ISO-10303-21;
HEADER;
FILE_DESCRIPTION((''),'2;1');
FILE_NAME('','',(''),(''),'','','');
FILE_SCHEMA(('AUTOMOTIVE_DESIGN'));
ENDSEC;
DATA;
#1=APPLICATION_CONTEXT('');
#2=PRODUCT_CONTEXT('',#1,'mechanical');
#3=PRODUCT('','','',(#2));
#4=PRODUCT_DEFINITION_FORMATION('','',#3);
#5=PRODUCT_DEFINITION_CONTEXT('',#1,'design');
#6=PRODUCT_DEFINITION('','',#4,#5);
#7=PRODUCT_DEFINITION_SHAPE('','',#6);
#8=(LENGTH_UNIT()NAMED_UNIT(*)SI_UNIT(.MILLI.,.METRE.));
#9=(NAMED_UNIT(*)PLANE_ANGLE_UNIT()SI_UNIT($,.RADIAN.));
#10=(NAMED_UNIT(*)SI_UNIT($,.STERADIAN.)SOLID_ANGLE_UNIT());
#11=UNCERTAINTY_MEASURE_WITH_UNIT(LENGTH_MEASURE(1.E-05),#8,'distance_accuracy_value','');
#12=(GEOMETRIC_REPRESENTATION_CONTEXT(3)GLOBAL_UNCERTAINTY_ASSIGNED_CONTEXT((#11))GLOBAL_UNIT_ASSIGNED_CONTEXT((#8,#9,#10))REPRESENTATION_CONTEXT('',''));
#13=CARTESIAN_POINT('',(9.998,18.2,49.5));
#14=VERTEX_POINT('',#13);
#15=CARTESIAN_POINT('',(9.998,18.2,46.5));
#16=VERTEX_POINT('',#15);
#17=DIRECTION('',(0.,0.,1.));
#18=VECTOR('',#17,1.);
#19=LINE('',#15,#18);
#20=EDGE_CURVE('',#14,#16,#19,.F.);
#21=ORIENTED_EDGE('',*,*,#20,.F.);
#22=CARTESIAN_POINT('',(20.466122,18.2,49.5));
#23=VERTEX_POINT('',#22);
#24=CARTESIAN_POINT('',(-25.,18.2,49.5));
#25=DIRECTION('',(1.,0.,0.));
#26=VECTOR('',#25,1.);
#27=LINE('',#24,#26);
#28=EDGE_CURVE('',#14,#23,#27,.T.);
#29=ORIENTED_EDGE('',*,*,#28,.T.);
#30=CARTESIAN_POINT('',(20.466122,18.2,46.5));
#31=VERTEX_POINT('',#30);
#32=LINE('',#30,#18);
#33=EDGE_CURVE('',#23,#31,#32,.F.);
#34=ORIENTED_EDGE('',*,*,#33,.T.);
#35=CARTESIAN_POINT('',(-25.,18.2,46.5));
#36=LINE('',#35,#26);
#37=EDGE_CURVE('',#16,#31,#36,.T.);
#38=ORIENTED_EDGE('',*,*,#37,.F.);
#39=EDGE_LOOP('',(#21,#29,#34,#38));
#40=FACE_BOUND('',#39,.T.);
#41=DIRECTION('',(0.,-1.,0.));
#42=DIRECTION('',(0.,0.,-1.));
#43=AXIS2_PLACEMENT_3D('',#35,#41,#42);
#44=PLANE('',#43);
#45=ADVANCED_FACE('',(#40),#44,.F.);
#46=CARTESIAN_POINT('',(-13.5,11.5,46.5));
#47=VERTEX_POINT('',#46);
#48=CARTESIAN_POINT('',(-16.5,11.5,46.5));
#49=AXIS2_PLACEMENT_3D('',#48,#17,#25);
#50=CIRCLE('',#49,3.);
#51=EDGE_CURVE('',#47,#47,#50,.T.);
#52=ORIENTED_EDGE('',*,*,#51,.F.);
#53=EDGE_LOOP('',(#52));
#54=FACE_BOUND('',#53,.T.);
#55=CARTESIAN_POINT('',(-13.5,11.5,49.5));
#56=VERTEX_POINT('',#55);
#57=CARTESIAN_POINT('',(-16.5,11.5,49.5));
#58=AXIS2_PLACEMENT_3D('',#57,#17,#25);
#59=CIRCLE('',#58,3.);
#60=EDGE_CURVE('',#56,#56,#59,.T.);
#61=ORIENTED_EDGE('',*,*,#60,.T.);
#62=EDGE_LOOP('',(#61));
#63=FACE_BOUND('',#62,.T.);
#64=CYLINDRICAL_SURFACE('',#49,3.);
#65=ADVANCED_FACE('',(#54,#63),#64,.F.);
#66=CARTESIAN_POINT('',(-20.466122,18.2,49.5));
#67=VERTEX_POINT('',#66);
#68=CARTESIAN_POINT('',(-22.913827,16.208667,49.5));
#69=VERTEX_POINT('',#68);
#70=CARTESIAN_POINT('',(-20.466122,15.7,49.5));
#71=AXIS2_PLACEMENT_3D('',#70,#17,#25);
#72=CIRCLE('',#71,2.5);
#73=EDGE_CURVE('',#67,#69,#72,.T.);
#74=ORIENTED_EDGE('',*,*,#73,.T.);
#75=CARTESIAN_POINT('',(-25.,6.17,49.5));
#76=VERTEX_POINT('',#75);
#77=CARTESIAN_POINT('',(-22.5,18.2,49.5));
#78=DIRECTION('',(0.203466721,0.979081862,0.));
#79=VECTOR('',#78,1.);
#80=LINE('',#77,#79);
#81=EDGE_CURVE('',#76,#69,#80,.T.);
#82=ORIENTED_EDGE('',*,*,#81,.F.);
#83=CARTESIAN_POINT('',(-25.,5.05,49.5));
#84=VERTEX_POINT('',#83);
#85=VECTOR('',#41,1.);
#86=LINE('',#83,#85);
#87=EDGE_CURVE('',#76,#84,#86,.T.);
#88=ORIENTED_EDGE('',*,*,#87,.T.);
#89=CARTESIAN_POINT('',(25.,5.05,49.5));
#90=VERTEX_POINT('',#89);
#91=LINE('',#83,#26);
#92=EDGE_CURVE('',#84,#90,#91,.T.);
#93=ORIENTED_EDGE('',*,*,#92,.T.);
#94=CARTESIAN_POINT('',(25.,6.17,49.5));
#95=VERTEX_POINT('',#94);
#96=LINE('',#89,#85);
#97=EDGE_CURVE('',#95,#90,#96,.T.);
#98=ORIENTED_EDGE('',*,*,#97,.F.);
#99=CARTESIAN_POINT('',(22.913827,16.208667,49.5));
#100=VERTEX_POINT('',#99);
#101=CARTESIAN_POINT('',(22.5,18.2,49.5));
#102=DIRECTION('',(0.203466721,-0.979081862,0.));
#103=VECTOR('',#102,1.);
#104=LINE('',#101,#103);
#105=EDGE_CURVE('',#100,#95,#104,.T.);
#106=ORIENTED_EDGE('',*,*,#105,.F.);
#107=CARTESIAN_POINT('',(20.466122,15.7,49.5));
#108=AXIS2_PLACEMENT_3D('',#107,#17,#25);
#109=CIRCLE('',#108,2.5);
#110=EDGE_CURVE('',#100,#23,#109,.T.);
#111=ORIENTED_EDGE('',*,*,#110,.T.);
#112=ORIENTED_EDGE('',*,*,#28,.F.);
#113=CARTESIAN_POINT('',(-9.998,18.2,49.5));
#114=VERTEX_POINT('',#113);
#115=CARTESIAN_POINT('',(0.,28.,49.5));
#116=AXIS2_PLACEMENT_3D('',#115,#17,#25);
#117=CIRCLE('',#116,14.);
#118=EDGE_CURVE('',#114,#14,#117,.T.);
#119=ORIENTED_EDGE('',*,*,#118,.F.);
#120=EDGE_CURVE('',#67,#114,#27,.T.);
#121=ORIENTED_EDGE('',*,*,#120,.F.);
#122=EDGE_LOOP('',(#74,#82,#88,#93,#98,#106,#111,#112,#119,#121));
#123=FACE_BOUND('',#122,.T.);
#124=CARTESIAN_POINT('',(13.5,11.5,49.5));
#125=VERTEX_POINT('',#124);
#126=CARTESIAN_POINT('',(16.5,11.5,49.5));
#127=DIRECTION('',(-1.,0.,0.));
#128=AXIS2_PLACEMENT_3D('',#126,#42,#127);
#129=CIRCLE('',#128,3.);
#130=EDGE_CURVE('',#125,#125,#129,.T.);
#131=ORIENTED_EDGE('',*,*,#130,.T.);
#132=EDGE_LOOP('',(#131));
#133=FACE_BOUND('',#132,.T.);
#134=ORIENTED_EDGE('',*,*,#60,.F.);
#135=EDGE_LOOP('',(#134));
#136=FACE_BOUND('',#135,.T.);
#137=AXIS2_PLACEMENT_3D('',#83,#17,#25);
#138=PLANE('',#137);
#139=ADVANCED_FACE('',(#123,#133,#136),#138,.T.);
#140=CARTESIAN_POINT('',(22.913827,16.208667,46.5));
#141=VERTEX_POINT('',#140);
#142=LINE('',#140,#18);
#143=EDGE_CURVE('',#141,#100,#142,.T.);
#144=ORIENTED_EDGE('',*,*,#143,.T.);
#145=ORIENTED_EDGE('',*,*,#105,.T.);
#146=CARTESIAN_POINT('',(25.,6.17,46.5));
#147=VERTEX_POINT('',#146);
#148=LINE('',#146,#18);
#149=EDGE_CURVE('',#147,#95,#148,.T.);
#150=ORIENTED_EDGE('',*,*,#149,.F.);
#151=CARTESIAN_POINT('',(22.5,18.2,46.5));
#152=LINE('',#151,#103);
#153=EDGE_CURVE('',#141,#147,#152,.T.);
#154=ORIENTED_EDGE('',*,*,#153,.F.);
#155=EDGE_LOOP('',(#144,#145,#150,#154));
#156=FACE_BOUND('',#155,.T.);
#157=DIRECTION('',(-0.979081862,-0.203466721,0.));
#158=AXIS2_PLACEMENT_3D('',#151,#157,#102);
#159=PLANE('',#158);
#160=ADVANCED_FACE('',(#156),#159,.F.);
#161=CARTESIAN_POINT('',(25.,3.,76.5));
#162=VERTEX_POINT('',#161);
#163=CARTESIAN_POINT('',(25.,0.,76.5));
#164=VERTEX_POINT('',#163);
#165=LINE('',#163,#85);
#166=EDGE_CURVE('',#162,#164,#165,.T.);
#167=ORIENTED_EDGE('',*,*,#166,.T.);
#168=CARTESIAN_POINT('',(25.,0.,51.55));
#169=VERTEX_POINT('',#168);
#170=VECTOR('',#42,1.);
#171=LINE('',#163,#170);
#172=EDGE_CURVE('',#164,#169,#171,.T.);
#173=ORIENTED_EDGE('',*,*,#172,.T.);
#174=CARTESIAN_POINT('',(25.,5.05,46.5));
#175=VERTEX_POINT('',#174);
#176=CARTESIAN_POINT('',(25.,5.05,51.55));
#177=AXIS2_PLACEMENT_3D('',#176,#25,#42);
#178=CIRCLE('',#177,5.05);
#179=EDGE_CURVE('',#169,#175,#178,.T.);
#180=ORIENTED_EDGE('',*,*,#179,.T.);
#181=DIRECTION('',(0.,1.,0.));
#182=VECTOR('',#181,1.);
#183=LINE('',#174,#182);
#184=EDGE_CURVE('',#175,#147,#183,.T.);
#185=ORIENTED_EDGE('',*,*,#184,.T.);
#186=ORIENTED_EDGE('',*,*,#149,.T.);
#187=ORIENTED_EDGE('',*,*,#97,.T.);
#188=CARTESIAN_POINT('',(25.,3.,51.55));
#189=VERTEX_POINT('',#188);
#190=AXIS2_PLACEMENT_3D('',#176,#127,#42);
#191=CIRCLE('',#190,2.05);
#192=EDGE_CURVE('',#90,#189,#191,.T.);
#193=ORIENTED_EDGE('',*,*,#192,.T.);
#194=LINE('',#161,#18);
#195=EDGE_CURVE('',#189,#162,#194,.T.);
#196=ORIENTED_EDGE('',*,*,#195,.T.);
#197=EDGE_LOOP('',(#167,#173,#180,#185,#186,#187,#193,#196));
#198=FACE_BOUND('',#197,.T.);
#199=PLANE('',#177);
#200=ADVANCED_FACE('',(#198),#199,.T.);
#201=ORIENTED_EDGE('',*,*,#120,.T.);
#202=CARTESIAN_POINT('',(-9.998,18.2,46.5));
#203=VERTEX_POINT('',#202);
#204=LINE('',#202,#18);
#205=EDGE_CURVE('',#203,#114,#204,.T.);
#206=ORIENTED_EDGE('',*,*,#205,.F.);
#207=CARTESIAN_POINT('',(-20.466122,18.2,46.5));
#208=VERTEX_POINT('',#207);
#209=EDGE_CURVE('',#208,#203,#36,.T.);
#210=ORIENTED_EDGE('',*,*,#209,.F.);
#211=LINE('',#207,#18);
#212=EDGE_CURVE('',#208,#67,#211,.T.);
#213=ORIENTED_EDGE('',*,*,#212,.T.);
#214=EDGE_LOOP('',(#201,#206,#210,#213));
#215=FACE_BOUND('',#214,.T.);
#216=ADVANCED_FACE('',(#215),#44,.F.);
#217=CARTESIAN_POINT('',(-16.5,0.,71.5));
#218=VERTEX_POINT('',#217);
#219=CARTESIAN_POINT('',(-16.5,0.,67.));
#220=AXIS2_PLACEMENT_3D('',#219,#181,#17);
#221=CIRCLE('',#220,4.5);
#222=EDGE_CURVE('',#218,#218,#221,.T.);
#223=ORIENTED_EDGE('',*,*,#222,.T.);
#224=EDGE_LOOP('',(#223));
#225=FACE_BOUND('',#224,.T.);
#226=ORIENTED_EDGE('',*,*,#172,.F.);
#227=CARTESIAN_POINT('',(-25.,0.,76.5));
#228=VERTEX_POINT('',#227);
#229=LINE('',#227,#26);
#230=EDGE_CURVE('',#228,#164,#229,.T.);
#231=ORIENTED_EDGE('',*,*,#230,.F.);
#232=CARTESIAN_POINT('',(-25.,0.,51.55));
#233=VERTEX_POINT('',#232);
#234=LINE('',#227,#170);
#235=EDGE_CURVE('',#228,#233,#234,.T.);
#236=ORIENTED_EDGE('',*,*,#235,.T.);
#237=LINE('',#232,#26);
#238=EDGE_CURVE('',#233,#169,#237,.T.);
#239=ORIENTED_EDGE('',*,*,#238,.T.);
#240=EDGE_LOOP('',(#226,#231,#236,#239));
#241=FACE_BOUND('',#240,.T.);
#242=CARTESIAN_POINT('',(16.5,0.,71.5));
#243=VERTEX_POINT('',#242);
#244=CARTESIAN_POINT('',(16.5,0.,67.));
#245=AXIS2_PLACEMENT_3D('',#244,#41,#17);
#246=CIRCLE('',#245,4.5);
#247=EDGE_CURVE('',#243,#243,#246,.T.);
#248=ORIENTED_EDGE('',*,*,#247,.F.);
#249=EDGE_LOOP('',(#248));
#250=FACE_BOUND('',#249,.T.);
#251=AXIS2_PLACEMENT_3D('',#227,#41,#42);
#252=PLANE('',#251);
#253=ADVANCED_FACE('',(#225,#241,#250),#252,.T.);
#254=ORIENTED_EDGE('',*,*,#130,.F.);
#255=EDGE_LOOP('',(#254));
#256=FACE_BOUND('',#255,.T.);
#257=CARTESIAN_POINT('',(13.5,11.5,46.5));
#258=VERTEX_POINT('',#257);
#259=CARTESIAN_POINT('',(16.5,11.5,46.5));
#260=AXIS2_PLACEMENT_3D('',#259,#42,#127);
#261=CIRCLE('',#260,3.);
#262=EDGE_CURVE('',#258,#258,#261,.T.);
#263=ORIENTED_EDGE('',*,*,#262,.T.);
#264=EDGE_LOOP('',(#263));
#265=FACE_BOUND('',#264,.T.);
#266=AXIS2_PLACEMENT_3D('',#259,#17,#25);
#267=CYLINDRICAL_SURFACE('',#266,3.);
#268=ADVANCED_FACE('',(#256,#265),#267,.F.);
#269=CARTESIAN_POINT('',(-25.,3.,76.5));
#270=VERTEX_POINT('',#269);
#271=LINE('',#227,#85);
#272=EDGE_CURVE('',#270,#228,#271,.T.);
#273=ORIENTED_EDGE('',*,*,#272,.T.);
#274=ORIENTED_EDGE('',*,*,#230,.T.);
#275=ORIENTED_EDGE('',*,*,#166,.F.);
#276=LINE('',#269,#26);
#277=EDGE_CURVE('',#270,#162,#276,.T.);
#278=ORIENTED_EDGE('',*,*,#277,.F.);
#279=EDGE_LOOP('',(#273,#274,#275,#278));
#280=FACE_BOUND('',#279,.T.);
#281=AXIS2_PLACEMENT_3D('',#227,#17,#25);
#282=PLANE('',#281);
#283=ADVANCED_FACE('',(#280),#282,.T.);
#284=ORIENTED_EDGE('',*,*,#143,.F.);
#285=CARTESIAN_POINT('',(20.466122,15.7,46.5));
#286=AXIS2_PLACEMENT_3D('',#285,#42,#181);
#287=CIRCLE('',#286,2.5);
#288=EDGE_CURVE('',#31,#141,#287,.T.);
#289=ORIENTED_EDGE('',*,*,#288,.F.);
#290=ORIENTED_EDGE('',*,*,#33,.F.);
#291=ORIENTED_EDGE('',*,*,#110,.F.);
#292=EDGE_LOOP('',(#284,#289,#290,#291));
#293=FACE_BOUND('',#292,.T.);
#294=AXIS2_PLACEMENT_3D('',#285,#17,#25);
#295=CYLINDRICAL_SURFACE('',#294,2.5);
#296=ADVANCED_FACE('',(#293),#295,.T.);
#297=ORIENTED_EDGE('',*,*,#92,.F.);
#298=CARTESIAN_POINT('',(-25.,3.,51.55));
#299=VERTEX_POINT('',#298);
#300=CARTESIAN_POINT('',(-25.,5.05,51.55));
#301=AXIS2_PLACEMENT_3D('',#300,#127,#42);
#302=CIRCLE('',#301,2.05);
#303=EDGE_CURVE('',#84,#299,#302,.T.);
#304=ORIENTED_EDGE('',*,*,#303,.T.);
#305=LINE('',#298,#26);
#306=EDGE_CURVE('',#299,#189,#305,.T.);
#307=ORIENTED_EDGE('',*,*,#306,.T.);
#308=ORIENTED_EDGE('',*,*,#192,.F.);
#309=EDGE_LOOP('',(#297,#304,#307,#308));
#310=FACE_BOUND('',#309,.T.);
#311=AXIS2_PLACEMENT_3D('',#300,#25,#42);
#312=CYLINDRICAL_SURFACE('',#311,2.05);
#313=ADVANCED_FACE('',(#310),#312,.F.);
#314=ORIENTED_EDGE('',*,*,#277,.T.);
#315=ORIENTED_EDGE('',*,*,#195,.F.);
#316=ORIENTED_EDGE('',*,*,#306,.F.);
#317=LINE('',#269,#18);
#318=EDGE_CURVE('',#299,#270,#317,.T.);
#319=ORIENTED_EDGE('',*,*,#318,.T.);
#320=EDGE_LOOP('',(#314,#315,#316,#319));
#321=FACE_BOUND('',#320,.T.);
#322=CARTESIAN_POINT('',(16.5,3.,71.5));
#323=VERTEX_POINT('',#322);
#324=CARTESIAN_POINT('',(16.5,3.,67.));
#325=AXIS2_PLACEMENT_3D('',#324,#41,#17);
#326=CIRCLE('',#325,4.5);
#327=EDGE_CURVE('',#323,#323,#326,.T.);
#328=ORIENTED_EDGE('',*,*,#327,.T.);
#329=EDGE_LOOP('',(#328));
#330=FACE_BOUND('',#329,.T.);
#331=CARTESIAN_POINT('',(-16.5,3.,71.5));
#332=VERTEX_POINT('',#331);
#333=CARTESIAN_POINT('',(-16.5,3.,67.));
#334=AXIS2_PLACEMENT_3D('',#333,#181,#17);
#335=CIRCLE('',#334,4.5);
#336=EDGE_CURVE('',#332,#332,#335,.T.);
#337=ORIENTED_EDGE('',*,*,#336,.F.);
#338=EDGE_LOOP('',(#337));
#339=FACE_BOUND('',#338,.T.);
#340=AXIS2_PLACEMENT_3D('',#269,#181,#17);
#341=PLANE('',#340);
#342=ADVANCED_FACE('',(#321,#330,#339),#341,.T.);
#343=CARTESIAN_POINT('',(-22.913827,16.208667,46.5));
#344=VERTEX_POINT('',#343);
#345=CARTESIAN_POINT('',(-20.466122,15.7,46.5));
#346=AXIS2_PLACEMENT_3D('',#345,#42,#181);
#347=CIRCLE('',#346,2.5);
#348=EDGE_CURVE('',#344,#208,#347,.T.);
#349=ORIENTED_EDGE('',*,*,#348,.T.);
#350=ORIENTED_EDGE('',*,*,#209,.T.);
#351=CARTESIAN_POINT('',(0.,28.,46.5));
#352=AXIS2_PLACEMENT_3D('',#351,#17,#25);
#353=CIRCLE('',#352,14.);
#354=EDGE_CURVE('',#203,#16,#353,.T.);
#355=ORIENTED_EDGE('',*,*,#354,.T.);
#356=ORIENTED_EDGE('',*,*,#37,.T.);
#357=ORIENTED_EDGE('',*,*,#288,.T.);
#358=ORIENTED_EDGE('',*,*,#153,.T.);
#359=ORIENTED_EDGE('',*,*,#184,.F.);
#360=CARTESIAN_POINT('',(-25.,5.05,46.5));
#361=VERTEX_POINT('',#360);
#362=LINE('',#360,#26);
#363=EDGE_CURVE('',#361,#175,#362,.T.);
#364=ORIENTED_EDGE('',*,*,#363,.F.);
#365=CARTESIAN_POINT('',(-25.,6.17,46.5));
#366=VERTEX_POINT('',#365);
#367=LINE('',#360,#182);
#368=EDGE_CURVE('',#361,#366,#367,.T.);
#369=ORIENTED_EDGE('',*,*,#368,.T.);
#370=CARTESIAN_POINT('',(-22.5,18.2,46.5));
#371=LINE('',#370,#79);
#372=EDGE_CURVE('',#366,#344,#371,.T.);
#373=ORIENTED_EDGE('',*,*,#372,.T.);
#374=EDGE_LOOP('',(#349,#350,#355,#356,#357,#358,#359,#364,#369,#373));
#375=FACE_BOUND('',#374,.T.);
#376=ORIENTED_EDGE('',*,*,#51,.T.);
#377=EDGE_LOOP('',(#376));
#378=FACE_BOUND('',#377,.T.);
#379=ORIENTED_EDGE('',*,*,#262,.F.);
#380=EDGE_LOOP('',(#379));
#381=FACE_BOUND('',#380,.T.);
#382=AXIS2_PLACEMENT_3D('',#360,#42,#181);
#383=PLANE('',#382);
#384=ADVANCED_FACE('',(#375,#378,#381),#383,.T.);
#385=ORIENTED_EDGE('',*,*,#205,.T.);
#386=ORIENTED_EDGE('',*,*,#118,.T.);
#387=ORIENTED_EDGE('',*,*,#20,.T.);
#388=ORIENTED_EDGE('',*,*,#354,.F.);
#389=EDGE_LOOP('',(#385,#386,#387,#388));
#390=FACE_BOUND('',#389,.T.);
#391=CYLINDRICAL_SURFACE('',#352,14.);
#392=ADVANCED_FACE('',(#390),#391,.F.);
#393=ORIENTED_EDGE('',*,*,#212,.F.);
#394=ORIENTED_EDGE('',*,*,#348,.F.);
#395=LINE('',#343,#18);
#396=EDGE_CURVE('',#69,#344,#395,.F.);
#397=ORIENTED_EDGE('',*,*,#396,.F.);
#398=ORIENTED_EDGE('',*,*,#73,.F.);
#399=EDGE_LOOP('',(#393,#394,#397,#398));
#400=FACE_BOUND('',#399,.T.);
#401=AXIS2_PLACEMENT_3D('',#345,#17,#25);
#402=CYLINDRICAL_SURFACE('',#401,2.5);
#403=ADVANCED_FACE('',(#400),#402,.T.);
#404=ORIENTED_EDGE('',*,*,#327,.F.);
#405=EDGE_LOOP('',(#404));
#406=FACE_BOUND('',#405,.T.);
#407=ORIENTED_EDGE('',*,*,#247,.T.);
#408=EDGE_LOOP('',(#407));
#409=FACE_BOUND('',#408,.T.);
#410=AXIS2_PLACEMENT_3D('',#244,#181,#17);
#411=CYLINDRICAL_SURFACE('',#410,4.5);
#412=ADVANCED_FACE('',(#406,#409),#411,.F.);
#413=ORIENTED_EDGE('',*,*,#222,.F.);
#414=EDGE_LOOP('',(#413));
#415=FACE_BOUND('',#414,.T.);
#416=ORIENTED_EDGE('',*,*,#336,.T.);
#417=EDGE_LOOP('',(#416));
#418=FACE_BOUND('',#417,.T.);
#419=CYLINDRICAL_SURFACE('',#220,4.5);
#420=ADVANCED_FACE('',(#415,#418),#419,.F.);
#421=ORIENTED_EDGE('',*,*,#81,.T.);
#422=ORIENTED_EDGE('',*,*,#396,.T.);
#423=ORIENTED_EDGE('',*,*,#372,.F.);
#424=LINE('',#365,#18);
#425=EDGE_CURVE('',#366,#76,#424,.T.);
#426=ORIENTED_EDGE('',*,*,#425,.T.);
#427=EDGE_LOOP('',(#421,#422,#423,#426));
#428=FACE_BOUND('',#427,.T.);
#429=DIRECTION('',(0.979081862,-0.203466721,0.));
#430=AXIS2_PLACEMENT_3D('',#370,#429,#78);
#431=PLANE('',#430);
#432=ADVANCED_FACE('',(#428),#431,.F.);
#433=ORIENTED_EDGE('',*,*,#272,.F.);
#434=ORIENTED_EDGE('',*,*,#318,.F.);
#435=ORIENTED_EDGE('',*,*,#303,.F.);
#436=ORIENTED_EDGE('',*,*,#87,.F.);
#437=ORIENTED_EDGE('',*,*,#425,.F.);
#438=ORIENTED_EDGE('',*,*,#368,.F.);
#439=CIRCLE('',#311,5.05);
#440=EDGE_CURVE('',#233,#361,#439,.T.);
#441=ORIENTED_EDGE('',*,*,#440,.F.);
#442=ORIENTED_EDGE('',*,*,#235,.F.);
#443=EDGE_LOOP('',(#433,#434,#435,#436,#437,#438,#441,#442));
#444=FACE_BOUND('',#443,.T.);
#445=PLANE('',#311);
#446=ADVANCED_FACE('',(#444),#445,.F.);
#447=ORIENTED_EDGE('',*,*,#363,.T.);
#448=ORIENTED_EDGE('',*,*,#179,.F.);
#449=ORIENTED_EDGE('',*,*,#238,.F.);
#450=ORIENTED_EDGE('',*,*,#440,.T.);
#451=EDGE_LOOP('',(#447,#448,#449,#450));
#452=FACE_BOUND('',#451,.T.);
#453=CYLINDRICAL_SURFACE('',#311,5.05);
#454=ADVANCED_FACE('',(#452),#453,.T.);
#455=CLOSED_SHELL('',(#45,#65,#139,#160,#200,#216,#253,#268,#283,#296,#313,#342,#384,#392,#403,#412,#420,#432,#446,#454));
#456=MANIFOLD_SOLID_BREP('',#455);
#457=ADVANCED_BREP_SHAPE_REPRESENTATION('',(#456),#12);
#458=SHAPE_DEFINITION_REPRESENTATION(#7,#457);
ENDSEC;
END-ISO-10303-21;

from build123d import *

# Parameters (mm, degrees)
EXTRUDE_START          = 25
EXTRUDE_1_DEPTH        = 50
SKETCH_4_R             = 4.5
CUT_EXTRUDE_1_DEPTH    = 85.274847968
SKETCH_6_R             = 3
CUT_EXTRUDE_2_DEPTH    = 47.238512087
SKETCH_7_R             = 14
CUT_EXTRUDE_3_DEPTH    = 47.238512087
SKETCH_9_W             = 50
SKETCH_9_H             = 9.8
CUT_EXTRUDE_4_DEPTH    = 47.238512087
CUT_EXTRUDE_1983_DEPTH = 42.051674753
FILLET_1_R             = 2.5


with BuildPart() as part:
    # 草图3 → 凸台-拉伸1 (new body)
    with BuildSketch(Plane(origin=(0, 0, 0), x_dir=(0, 0, -1), z_dir=(1, 0, 0)).offset(EXTRUDE_START)):
        with BuildLine():
            Line((-76.5, 0), (-76.5, 3))
            Line((-76.5, 3), (-51.55, 3))
            ThreePointArc((-51.55, 3), (-50.100431099, 3.600431099), (-49.5, 5.05))
            Line((-49.5, 5.05), (-49.5, 28))
            Line((-49.5, 28), (-46.5, 28))
            Line((-46.5, 28), (-46.5, 5.05))
            ThreePointArc((-46.5, 5.05), (-47.979110755, 1.479110755), (-51.55, 0))
            Line((-51.55, 0), (-76.5, 0))
        make_face()
    extrude(amount=-EXTRUDE_1_DEPTH)

    # 草图4 → 切除-拉伸1 (cut, through all)
    with BuildSketch(Plane(origin=(0, 3, 0), x_dir=(1, 0, 0), z_dir=(0, 1, 0))):
        with Locations(Location((-16.5, -67, 0), (0, 0, 270))):
            Circle(SKETCH_4_R)
    cut_extrude_1 = extrude(amount=-CUT_EXTRUDE_1_DEPTH, mode=Mode.SUBTRACT)

    # 镜向1: 切除-拉伸1 across plane
    add(cut_extrude_1.mirror(Plane(origin=(0, 0, 0), x_dir=(0, 0, 1), z_dir=(1, 0, 0))), mode=Mode.SUBTRACT)

    # 草图6 → 切除-拉伸2 (cut, through all)
    with BuildSketch(Plane.XY.offset(49.5)):
        with Locations((-16.5, 11.5)):
            Circle(SKETCH_6_R)
    cut_extrude_2 = extrude(amount=-CUT_EXTRUDE_2_DEPTH, mode=Mode.SUBTRACT)

    # 镜向2: 切除-拉伸2 across plane
    add(cut_extrude_2.mirror(Plane(origin=(0, 0, 0), x_dir=(0, 0, 1), z_dir=(1, 0, 0))), mode=Mode.SUBTRACT)

    # 草图7 → 切除-拉伸3 (cut, through all)
    with BuildSketch(Plane.XY.offset(49.5)):
        with Locations((0, 28)):
            Circle(SKETCH_7_R)
    extrude(amount=-CUT_EXTRUDE_3_DEPTH, mode=Mode.SUBTRACT)

    # 草图9 → 切除-拉伸4 (cut, through all)
    with BuildSketch(Plane.XY.offset(49.5)):
        with Locations((0, 23.1)):
            Rectangle(SKETCH_9_W, SKETCH_9_H)
    extrude(amount=-CUT_EXTRUDE_4_DEPTH, mode=Mode.SUBTRACT)

    # 草图8 → Cut-Extrude 1983 (cut, through all)
    with BuildSketch(Plane.XY.offset(49.5)):
        Polygon((-22.5, 18.2), (22.5, 18.2), (25, 6.17), (25, 28), (-25, 28), (-25, 6.17), align=None)
    extrude(amount=-CUT_EXTRUDE_1983_DEPTH, mode=Mode.SUBTRACT)

    # 圆角1
    fillet_1_edges = [part.edges().sort_by_distance(p)[0] for p in [
        (22.5, 18.2, 48),
        (-22.5, 18.2, 48),
    ]]
    fillet(fillet_1_edges, radius=FILLET_1_R)


solid = part.part
